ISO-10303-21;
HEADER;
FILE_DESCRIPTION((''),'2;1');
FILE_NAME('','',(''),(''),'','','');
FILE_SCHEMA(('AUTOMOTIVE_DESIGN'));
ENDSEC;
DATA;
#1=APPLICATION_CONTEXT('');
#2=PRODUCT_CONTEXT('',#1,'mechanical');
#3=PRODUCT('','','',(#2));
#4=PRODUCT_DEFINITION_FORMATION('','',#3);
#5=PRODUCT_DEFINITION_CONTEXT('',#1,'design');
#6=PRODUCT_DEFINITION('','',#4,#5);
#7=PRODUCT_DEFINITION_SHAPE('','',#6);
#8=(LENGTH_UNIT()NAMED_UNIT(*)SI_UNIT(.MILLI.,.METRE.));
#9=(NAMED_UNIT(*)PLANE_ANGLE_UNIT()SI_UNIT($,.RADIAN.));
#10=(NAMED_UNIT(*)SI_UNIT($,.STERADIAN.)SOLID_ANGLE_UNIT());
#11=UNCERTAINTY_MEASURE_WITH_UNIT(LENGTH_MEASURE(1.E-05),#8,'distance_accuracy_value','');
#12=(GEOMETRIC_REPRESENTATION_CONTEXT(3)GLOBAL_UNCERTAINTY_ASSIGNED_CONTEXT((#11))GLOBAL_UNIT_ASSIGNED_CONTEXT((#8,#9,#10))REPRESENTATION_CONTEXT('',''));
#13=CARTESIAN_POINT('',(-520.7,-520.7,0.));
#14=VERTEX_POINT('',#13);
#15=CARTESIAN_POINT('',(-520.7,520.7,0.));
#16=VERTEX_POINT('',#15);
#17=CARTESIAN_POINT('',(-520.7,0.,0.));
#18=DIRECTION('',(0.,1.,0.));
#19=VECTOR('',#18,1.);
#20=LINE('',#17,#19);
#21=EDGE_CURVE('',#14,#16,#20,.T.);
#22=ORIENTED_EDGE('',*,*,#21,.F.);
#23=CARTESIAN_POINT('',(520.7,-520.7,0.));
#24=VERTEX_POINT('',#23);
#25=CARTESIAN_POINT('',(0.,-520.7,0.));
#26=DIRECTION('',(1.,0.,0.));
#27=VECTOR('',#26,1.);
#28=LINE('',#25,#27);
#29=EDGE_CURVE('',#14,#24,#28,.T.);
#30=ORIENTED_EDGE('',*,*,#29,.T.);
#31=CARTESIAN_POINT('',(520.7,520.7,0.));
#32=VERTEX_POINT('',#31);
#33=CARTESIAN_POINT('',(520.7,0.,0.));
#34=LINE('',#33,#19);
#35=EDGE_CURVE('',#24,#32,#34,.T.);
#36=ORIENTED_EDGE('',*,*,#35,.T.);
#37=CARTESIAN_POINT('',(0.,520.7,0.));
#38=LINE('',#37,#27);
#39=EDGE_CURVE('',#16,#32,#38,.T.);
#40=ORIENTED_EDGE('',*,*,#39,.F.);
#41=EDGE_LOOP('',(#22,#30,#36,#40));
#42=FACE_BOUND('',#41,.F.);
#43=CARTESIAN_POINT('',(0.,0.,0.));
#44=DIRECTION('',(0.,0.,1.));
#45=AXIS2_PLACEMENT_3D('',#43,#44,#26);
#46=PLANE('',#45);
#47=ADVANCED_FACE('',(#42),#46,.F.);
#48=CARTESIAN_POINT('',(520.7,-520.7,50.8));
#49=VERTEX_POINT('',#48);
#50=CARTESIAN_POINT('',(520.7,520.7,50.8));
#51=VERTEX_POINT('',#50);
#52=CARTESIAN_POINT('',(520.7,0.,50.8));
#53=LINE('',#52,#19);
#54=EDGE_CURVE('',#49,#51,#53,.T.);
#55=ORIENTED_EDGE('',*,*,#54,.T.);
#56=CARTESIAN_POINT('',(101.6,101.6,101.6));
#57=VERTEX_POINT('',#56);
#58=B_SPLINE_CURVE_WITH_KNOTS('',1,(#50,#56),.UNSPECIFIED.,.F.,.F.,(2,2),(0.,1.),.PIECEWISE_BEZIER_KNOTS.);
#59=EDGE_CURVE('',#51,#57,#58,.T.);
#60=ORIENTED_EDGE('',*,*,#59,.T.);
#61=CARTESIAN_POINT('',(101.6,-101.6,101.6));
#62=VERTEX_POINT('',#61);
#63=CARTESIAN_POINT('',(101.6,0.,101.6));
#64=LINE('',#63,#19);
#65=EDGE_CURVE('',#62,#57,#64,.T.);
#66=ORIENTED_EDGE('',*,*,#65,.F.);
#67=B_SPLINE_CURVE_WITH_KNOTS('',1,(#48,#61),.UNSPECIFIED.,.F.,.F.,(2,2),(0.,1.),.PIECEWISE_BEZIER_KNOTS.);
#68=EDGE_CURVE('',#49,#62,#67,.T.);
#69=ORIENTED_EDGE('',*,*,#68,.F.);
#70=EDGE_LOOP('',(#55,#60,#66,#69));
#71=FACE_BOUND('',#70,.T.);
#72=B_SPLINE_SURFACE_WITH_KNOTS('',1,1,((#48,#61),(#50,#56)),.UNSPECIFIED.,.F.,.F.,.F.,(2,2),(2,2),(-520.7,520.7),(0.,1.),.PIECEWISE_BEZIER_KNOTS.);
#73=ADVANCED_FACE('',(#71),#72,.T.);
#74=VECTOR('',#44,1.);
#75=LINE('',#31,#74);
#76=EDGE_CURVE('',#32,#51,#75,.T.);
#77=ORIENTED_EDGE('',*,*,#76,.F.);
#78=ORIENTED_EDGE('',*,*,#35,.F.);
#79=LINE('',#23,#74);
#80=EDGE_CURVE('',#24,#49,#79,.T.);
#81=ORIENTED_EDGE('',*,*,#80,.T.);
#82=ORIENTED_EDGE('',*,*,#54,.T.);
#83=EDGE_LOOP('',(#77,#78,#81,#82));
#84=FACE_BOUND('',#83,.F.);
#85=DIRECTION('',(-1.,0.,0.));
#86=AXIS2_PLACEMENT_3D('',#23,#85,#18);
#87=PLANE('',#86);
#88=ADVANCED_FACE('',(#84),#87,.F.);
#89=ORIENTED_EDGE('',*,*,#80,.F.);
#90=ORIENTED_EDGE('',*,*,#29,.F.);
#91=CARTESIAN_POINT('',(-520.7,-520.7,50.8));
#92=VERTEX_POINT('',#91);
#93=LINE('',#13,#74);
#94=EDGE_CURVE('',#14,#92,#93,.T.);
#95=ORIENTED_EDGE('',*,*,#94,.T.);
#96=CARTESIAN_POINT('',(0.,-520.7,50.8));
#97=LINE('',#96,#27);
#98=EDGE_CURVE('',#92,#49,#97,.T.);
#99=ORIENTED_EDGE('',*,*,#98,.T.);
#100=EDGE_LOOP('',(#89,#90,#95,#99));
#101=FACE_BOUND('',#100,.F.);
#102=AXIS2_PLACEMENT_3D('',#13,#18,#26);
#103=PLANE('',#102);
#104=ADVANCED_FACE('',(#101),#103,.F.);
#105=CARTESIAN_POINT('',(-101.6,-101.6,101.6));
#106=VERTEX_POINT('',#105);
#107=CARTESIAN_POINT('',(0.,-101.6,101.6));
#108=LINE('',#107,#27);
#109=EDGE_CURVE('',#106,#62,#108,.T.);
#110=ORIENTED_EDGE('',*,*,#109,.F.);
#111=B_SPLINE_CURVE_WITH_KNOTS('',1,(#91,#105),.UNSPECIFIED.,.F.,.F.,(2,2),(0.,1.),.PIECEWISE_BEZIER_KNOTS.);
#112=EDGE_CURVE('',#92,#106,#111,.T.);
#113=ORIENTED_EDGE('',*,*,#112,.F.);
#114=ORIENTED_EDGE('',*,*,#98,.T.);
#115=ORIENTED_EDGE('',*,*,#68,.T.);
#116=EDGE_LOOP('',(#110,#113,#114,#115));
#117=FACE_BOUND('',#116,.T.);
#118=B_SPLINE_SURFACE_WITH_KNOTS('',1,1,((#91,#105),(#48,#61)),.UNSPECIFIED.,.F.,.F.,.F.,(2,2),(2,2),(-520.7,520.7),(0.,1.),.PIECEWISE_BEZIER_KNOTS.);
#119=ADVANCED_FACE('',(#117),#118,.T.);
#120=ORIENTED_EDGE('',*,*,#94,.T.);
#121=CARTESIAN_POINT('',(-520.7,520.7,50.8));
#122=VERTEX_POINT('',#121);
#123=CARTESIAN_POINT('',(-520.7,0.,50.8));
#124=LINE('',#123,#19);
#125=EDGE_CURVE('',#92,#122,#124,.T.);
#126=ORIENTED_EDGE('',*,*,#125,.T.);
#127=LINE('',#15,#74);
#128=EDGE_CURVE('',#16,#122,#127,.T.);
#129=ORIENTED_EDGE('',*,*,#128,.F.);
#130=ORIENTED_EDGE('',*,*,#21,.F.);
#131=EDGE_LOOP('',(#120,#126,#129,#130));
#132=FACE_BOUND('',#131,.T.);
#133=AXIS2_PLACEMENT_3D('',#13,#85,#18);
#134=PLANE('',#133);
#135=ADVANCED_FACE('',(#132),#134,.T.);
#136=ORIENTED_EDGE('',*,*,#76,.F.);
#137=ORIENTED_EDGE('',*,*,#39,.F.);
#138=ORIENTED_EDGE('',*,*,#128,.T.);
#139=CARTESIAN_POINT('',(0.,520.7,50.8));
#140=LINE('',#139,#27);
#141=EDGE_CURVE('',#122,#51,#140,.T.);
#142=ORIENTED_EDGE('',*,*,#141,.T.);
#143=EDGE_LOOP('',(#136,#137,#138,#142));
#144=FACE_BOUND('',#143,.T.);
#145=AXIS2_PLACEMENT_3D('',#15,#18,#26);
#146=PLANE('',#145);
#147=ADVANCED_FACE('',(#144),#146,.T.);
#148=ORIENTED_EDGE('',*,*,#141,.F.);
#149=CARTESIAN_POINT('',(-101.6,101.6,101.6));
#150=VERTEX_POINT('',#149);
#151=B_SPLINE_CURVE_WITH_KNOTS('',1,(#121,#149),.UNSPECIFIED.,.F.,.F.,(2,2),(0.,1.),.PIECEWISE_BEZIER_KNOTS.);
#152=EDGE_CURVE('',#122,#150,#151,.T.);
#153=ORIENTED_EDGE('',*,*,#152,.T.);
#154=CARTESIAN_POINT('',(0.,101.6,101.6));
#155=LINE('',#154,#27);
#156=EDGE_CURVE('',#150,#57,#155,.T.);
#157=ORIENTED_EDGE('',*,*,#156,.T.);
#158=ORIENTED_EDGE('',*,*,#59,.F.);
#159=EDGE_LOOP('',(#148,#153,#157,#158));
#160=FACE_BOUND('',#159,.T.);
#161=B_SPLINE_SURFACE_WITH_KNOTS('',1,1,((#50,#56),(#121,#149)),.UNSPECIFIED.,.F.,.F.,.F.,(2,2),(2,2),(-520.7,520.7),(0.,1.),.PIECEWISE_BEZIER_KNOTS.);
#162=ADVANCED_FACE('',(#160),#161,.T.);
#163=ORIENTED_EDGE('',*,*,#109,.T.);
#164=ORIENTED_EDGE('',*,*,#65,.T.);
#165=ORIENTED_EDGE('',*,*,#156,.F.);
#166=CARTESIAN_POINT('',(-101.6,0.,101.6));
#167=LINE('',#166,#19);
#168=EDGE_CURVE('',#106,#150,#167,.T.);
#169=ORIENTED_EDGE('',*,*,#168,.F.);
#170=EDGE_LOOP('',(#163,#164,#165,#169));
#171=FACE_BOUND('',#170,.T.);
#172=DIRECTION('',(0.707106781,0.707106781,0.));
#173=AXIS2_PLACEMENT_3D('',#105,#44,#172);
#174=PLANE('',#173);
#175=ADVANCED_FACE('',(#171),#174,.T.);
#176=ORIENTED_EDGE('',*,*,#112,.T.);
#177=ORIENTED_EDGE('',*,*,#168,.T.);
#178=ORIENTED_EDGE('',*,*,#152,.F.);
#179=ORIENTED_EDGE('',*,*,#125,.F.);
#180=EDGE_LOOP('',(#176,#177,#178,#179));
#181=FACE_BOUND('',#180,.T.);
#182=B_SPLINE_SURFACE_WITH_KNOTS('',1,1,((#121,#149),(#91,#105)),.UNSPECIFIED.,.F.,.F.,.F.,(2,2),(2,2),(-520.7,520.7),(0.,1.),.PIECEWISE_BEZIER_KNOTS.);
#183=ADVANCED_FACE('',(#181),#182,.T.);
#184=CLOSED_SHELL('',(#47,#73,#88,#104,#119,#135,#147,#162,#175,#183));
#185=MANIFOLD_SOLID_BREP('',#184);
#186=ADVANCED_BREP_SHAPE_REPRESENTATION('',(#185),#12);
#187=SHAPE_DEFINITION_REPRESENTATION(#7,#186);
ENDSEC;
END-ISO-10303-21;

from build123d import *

# Parameters (mm, degrees)
F0_W     = 1041.4
F0_H     = 1041.4
F1_DEPTH = 50.8
F2_W     = 1041.4
F2_H     = 1041.4
F4_W     = 203.2
F4_H     = 203.2


with BuildPart() as f1:
    # F0 (on Top) → F1 (new body)
    with BuildSketch(Plane.XY):
        Rectangle(F0_W, F0_H)
    extrude(amount=F1_DEPTH)

    # F2 (on face) → F5 section 0
    with BuildSketch(Plane.XY.offset(50.8)):
        Rectangle(F2_W, F2_H)
    # F4 (on offset) → F5 section 1
    with BuildSketch(Plane.XY.offset(101.6)):
        Rectangle(F4_W, F4_H)
    loft()


solid = f1.part
